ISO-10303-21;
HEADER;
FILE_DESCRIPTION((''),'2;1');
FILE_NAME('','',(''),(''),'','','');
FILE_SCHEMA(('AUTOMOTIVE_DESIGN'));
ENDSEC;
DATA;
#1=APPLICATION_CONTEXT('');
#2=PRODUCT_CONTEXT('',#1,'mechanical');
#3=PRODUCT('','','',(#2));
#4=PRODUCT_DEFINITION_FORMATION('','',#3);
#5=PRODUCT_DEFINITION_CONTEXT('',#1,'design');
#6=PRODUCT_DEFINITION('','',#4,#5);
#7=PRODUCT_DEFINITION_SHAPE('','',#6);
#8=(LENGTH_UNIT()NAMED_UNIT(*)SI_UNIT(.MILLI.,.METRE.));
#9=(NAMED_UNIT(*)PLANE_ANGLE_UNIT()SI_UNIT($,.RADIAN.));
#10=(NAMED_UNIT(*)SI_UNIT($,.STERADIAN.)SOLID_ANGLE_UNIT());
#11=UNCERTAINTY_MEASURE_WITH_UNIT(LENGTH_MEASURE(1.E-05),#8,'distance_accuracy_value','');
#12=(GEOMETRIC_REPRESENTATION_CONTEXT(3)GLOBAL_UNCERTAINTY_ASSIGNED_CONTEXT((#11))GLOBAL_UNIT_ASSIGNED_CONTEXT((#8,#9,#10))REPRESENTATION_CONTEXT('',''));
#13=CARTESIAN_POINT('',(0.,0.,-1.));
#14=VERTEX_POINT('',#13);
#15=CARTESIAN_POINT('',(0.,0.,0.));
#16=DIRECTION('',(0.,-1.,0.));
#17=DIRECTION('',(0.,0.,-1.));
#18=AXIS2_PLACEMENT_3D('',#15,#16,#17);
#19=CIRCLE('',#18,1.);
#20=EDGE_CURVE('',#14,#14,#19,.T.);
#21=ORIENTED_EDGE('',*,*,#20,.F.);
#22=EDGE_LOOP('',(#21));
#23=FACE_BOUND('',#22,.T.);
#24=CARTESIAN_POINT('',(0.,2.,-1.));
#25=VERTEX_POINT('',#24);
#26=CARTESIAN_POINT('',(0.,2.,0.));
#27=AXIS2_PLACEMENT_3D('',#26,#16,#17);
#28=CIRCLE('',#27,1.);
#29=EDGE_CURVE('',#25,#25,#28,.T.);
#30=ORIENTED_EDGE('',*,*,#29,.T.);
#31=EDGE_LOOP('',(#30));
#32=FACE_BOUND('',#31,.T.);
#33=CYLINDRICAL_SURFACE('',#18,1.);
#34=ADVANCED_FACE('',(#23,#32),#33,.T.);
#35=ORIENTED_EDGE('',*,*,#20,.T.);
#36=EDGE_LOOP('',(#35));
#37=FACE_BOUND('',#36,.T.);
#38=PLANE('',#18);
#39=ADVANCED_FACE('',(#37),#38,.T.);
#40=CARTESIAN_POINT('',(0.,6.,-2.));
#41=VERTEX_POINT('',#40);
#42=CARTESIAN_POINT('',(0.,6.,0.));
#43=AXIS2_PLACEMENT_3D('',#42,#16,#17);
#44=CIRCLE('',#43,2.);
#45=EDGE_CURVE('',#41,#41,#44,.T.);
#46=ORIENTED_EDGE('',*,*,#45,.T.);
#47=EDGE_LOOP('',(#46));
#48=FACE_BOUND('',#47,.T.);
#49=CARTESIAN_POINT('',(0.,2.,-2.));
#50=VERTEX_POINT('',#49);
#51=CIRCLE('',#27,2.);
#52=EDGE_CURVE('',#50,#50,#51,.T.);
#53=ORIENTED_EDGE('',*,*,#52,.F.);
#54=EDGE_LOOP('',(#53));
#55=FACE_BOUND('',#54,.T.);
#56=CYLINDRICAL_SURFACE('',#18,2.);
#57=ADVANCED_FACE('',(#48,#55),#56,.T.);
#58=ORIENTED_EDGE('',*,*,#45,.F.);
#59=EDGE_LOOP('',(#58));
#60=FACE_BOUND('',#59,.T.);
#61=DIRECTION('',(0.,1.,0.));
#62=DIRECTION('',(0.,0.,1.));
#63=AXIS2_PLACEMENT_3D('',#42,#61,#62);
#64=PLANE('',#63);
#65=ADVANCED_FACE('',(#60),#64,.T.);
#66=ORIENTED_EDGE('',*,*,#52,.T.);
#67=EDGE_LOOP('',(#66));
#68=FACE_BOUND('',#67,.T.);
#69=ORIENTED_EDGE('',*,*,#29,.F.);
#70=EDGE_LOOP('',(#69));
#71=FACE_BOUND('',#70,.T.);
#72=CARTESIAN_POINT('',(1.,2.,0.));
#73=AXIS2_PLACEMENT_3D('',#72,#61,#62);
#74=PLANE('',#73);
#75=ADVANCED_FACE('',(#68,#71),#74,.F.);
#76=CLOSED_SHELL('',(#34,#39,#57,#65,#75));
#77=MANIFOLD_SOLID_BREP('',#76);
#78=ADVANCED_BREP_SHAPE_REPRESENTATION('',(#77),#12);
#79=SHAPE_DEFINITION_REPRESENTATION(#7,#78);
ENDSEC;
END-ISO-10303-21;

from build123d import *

# Parameters (mm, degrees)
SKETCH1_W = 2
SKETCH1_H = 6
SKETCH2_W = 1
SKETCH2_H = 2


with BuildPart() as part:
    # Sketch1 → Revolve1 (revolve)
    with BuildSketch(Plane.XY):
        with Locations((1, 3)):
            Rectangle(SKETCH1_W, SKETCH1_H)
    revolve(axis=Axis((0, 0, 0), (0, 1, 0)))

    # Sketch2 → Cut-Revolve1 (revolve, cut)
    with BuildSketch(Plane.XY):
        with Locations((1.5, 1)):
            Rectangle(SKETCH2_W, SKETCH2_H)
    revolve(axis=Axis((0, 0, 0), (0, 1, 0)), mode=Mode.SUBTRACT)


solid = part.part
